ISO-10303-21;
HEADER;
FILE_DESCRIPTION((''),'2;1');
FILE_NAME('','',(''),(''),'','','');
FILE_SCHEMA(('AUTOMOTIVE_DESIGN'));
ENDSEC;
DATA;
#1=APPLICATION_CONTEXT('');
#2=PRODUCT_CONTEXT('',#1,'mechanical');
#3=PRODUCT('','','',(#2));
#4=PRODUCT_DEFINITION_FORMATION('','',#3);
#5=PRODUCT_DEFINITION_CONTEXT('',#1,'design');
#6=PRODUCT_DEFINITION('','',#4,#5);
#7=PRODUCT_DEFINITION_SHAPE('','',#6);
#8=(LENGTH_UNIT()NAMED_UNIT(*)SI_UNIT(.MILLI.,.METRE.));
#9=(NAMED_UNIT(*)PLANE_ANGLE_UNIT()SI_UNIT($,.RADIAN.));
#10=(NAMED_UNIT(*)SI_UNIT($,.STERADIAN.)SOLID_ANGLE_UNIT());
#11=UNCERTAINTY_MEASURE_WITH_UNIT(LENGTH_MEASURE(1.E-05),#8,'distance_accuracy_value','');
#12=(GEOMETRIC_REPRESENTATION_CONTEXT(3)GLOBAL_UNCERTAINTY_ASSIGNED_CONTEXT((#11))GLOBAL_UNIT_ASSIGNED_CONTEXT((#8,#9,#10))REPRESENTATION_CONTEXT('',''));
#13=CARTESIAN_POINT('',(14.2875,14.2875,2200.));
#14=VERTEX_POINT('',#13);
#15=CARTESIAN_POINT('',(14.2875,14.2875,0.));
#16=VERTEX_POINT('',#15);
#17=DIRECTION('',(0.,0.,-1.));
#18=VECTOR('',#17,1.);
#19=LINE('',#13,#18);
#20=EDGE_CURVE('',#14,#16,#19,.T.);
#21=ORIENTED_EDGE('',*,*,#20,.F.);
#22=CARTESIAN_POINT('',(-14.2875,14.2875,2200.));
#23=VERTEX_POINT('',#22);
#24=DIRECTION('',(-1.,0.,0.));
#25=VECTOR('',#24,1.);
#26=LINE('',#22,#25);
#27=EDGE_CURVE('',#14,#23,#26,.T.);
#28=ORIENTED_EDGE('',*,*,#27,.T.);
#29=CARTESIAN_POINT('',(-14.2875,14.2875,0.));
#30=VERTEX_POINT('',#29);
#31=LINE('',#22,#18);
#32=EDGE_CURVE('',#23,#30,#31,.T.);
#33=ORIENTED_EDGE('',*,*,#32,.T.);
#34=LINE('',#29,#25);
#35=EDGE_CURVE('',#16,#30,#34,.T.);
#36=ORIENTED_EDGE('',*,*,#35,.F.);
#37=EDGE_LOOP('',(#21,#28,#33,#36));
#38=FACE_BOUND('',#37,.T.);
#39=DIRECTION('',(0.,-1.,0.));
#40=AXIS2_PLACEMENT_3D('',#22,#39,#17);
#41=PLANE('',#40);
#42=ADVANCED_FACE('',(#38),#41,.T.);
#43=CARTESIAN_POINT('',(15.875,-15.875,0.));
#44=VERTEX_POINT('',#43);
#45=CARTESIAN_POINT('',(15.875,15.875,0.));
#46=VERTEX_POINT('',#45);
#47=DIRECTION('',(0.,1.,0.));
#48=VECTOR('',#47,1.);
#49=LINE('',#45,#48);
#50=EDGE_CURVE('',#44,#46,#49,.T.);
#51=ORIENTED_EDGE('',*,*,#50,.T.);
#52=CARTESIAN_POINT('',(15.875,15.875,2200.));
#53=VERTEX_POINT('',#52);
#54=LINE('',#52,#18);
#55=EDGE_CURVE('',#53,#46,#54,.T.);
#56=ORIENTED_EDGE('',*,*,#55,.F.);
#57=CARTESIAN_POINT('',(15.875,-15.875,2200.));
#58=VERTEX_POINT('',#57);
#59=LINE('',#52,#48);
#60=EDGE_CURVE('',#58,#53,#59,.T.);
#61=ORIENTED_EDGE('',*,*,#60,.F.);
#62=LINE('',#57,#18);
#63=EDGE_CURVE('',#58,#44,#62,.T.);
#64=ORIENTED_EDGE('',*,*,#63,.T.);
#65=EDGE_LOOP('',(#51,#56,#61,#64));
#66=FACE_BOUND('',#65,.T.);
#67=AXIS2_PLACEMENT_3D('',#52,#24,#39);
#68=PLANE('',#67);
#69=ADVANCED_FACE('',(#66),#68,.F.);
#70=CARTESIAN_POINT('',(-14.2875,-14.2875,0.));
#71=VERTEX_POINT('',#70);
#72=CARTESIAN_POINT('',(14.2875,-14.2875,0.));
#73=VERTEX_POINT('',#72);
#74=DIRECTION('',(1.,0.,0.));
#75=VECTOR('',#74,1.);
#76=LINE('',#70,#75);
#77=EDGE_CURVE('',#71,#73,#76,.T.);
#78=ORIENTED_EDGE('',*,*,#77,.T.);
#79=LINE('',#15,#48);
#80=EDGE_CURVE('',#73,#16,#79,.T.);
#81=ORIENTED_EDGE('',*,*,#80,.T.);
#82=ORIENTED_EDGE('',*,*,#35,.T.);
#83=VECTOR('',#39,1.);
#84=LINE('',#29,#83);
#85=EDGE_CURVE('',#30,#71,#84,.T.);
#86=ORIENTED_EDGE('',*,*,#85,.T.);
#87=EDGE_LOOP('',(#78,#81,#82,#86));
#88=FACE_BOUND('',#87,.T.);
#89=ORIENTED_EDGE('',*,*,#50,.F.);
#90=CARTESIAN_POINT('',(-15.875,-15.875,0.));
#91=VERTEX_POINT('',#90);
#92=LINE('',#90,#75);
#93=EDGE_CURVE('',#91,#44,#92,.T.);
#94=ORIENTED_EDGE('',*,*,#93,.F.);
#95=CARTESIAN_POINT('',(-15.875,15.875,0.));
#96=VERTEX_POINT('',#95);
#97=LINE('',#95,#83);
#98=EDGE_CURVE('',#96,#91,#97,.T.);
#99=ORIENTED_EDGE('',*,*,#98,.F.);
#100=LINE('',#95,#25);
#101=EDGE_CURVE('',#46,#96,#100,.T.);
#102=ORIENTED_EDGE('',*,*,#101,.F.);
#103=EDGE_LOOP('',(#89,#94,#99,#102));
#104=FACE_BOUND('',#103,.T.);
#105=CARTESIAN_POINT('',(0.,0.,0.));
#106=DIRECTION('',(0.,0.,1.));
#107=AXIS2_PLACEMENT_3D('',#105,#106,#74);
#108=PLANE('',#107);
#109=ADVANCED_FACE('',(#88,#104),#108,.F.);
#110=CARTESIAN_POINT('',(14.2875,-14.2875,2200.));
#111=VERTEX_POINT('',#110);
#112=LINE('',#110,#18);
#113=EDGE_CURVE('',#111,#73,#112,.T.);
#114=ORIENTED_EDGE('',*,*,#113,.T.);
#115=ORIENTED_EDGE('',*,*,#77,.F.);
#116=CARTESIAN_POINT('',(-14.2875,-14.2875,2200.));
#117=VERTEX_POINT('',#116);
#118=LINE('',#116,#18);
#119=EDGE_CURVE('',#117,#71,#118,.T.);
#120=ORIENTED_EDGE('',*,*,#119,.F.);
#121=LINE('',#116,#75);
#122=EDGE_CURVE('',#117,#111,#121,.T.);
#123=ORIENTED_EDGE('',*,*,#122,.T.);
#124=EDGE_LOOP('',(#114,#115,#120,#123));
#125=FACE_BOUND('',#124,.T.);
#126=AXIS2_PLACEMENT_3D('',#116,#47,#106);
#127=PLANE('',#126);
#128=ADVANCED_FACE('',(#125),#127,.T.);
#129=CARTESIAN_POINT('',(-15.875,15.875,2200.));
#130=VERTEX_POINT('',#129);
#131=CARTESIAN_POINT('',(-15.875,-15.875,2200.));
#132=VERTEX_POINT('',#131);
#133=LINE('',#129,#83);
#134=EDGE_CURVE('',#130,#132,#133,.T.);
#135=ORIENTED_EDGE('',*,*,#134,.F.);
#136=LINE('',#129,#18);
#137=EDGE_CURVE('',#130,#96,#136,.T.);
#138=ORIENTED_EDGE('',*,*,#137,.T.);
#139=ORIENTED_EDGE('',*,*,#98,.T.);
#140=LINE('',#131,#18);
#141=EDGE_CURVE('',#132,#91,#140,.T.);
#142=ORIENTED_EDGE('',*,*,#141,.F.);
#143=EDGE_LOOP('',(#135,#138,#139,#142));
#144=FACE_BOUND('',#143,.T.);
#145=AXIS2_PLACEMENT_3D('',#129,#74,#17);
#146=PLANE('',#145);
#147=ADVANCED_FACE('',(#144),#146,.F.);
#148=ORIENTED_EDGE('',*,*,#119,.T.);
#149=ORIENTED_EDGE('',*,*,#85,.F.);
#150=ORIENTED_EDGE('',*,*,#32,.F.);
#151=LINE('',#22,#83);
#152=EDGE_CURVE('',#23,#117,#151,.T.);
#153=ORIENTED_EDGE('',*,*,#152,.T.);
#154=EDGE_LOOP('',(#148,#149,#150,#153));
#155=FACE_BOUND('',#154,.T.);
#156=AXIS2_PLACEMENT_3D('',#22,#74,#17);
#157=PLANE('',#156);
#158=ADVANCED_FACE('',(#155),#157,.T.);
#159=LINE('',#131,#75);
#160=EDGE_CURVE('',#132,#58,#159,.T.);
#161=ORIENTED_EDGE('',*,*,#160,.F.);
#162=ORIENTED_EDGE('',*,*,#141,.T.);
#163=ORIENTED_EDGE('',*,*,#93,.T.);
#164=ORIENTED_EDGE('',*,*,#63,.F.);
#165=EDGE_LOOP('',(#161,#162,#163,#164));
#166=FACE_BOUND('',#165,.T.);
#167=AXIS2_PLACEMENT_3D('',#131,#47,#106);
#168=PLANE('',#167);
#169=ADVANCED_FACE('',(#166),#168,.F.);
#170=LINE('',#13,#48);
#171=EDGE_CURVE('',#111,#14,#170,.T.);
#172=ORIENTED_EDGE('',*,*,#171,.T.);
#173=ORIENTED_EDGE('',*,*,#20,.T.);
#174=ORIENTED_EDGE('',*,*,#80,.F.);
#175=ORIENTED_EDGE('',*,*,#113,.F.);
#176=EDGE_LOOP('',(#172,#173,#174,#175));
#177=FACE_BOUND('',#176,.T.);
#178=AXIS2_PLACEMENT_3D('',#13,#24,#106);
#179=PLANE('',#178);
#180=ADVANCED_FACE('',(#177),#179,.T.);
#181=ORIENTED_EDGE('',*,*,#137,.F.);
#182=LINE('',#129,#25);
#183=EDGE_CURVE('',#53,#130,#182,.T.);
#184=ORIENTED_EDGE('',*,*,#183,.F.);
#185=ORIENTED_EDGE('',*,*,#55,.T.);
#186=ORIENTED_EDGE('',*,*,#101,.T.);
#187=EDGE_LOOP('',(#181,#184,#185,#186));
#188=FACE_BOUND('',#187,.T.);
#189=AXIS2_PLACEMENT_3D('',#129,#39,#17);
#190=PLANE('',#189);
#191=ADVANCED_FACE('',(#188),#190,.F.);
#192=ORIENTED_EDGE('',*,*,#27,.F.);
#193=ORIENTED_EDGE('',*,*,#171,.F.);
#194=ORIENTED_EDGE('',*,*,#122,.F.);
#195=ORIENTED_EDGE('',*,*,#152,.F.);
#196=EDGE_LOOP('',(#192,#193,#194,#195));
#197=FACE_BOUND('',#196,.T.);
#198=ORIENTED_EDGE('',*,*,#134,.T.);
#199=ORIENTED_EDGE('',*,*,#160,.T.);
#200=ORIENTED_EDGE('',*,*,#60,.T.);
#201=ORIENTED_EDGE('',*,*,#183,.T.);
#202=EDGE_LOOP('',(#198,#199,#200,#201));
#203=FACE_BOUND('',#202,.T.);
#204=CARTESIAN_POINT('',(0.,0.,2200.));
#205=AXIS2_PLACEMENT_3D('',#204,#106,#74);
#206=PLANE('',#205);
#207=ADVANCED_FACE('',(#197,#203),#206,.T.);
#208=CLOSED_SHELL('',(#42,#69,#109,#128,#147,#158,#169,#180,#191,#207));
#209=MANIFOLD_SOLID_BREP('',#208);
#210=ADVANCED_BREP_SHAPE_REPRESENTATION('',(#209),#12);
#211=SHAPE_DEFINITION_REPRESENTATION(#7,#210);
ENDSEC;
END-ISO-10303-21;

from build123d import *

# Parameters (mm, degrees)
SKETCH1_W           = 31.75
SKETCH1_H           = 31.75
SKETCH1_W_2         = 28.575
SKETCH1_H_2         = 28.575
BOSS_EXTRUDE1_DEPTH = 2200


with BuildPart() as part:
    # Sketch1 → Boss-Extrude1 (new body)
    with BuildSketch(Plane.XY):
        Rectangle(SKETCH1_W, SKETCH1_H)
        Rectangle(SKETCH1_W_2, SKETCH1_H_2, mode=Mode.SUBTRACT)
    extrude(amount=BOSS_EXTRUDE1_DEPTH)


solid = part.part
